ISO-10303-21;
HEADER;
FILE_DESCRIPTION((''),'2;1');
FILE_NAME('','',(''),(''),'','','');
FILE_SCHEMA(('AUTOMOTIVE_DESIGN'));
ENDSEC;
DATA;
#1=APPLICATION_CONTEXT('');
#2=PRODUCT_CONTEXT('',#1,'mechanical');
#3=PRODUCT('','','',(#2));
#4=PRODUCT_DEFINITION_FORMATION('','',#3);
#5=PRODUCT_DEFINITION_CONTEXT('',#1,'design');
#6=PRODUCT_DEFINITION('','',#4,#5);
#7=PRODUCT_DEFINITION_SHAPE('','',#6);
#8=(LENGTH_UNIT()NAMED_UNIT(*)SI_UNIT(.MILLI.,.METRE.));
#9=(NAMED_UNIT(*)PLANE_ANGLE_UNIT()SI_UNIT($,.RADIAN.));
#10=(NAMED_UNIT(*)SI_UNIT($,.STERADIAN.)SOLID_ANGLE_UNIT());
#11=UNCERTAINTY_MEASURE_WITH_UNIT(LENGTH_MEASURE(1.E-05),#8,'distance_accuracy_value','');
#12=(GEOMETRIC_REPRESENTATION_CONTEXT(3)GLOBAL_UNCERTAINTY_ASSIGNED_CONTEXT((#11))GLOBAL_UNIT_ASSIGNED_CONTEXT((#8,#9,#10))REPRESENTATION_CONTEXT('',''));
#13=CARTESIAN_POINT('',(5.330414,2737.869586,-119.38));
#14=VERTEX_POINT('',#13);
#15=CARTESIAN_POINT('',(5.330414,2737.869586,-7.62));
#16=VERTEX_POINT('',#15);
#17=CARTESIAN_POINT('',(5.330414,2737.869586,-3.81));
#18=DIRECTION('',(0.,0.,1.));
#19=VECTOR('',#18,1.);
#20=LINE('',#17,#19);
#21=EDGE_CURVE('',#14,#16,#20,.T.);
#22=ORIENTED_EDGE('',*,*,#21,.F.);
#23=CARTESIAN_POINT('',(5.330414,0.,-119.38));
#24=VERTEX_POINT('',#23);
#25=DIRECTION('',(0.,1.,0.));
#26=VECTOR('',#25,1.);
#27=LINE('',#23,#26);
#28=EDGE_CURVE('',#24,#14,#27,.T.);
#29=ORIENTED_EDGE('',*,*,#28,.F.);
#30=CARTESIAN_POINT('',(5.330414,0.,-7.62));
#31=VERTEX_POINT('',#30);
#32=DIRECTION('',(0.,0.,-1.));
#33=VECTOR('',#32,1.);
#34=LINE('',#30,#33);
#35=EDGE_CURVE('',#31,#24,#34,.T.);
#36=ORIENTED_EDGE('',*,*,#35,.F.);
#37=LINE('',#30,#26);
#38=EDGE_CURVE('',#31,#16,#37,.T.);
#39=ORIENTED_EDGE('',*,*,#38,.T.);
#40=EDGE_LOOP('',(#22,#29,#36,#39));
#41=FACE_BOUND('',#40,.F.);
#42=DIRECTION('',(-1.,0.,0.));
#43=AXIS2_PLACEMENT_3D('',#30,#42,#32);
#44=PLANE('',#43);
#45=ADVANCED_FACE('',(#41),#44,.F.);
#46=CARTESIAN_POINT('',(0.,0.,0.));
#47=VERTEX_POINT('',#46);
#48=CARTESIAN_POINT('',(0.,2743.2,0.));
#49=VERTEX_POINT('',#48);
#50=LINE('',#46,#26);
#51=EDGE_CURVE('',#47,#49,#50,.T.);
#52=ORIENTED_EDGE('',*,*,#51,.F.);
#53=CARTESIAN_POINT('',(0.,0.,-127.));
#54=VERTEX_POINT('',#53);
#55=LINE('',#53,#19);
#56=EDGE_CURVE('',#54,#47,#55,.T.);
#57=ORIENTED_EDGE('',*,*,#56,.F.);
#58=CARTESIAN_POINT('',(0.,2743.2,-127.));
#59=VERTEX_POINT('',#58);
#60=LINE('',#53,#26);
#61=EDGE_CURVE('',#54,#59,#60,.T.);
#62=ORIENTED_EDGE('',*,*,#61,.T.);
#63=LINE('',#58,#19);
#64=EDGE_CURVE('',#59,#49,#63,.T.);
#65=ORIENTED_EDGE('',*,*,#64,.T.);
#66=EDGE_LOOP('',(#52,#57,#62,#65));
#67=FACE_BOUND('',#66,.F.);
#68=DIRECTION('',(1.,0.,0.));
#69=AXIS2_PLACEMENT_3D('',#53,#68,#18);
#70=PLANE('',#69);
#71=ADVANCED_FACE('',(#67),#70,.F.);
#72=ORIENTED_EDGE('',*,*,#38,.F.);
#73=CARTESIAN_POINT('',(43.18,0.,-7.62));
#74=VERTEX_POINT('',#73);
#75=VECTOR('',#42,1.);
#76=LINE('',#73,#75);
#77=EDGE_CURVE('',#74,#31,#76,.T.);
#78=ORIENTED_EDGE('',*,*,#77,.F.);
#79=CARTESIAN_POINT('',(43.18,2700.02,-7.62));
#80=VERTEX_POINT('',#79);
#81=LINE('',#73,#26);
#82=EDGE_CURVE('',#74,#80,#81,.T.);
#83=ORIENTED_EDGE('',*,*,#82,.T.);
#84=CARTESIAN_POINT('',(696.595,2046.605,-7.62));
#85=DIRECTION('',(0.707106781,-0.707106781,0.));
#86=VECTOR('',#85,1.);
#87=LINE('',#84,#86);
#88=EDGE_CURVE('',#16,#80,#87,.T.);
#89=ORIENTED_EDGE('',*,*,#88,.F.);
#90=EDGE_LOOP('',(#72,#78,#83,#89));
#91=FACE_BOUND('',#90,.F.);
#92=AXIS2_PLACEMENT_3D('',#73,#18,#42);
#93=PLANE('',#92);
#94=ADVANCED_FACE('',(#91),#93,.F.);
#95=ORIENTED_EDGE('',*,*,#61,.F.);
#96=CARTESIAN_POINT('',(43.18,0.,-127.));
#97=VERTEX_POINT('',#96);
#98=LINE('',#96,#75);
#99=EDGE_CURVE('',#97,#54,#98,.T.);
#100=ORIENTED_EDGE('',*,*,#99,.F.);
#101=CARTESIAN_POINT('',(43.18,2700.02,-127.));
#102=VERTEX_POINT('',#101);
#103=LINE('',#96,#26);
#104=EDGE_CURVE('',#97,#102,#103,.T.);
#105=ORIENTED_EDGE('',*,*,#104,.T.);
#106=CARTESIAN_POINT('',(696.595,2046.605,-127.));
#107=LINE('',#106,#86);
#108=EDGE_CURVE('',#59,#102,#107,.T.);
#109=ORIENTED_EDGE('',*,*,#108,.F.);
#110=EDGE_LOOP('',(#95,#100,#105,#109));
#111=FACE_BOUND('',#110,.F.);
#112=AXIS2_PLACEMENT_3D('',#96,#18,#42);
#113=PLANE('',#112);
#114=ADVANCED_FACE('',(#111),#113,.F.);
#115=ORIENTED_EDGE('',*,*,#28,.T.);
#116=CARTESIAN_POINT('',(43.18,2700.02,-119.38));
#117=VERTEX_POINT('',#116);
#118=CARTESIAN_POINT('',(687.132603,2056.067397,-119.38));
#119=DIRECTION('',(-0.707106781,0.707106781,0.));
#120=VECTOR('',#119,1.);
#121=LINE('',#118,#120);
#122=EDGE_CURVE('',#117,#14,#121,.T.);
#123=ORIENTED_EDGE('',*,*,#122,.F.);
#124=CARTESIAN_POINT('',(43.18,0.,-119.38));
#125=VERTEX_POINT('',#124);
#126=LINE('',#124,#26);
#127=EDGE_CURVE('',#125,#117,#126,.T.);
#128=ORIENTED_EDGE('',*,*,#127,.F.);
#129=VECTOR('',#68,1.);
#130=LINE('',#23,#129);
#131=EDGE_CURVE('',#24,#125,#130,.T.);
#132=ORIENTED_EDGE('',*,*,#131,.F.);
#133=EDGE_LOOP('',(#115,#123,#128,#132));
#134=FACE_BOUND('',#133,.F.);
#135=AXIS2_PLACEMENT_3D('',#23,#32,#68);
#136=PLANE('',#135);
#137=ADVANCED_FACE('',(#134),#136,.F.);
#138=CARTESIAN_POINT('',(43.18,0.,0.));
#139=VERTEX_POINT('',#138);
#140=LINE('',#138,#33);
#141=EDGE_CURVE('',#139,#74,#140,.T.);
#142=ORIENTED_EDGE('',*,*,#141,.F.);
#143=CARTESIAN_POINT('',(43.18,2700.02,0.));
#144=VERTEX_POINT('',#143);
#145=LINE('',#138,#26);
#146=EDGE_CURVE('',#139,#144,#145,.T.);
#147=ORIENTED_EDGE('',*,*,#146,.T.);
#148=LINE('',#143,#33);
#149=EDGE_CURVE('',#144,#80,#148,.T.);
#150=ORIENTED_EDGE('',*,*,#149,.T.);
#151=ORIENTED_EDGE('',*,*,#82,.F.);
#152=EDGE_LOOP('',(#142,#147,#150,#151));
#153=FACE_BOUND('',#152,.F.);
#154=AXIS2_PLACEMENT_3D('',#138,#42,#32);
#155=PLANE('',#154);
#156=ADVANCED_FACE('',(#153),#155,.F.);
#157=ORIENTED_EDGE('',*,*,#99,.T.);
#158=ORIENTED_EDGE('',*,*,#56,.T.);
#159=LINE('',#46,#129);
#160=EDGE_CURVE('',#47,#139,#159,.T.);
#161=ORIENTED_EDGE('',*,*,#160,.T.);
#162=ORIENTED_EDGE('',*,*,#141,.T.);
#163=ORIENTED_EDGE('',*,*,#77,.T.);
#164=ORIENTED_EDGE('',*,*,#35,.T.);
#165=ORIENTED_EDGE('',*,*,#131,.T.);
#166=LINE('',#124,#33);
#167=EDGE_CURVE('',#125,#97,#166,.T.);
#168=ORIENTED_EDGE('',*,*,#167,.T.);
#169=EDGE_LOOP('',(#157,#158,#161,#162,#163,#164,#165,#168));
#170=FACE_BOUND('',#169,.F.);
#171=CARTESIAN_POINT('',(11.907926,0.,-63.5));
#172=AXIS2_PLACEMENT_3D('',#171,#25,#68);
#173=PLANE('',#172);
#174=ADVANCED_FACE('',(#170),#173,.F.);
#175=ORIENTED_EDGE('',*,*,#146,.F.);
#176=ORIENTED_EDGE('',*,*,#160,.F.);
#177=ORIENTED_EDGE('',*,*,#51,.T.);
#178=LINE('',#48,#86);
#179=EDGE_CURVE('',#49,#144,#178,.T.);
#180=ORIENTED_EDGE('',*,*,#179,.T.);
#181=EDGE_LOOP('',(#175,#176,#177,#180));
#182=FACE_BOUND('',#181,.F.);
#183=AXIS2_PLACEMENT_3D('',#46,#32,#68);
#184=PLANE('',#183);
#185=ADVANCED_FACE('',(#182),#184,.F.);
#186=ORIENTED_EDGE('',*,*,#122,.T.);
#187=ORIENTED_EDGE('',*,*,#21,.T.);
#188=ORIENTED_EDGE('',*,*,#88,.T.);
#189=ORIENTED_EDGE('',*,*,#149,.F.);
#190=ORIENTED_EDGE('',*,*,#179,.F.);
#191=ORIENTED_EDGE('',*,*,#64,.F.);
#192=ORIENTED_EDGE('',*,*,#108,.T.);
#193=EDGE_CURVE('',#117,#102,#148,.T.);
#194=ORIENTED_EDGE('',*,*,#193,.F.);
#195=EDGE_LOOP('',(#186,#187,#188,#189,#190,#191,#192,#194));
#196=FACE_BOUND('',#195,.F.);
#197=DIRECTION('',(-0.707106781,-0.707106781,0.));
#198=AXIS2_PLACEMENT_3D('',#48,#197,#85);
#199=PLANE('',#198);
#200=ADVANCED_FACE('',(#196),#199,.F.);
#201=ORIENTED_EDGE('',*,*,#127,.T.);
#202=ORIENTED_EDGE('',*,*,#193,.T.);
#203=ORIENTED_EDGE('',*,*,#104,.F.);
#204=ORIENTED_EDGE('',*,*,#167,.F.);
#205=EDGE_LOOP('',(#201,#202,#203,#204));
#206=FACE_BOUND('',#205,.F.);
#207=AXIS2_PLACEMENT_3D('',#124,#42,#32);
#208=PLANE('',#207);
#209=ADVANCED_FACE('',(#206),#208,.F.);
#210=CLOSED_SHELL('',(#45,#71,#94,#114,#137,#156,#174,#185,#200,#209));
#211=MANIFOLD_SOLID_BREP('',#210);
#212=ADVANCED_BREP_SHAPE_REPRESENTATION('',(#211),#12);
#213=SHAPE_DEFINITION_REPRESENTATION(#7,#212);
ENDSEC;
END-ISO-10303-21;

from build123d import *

# Parameters (mm, degrees)
BOSS_EXTRUDE2_DEPTH = 2743.2
CUT_EXTRUDE1_DEPTH  = 128


with BuildPart() as part:
    # Sketch3 → Boss-Extrude2 (new body)
    with BuildSketch(Plane(origin=(0, 0, 0), x_dir=(1, 0, 0), z_dir=(0, 1, 0))):
        Polygon((0, 0), (43.18, 0), (43.18, 7.62), (5.330413857, 7.62), (5.330413857, 119.38), (43.18, 119.38), (43.18, 127), (0, 127), align=None)
    extrude(amount=BOSS_EXTRUDE2_DEPTH)

    # Sketch5 → Cut-Extrude1 (cut, through all)
    with BuildSketch(Plane.XY):
        Polygon((0, 2743.2), (43.18, 2700.02), (43.18, 2743.2), align=None)
    extrude(amount=-CUT_EXTRUDE1_DEPTH, mode=Mode.SUBTRACT)


solid = part.part
